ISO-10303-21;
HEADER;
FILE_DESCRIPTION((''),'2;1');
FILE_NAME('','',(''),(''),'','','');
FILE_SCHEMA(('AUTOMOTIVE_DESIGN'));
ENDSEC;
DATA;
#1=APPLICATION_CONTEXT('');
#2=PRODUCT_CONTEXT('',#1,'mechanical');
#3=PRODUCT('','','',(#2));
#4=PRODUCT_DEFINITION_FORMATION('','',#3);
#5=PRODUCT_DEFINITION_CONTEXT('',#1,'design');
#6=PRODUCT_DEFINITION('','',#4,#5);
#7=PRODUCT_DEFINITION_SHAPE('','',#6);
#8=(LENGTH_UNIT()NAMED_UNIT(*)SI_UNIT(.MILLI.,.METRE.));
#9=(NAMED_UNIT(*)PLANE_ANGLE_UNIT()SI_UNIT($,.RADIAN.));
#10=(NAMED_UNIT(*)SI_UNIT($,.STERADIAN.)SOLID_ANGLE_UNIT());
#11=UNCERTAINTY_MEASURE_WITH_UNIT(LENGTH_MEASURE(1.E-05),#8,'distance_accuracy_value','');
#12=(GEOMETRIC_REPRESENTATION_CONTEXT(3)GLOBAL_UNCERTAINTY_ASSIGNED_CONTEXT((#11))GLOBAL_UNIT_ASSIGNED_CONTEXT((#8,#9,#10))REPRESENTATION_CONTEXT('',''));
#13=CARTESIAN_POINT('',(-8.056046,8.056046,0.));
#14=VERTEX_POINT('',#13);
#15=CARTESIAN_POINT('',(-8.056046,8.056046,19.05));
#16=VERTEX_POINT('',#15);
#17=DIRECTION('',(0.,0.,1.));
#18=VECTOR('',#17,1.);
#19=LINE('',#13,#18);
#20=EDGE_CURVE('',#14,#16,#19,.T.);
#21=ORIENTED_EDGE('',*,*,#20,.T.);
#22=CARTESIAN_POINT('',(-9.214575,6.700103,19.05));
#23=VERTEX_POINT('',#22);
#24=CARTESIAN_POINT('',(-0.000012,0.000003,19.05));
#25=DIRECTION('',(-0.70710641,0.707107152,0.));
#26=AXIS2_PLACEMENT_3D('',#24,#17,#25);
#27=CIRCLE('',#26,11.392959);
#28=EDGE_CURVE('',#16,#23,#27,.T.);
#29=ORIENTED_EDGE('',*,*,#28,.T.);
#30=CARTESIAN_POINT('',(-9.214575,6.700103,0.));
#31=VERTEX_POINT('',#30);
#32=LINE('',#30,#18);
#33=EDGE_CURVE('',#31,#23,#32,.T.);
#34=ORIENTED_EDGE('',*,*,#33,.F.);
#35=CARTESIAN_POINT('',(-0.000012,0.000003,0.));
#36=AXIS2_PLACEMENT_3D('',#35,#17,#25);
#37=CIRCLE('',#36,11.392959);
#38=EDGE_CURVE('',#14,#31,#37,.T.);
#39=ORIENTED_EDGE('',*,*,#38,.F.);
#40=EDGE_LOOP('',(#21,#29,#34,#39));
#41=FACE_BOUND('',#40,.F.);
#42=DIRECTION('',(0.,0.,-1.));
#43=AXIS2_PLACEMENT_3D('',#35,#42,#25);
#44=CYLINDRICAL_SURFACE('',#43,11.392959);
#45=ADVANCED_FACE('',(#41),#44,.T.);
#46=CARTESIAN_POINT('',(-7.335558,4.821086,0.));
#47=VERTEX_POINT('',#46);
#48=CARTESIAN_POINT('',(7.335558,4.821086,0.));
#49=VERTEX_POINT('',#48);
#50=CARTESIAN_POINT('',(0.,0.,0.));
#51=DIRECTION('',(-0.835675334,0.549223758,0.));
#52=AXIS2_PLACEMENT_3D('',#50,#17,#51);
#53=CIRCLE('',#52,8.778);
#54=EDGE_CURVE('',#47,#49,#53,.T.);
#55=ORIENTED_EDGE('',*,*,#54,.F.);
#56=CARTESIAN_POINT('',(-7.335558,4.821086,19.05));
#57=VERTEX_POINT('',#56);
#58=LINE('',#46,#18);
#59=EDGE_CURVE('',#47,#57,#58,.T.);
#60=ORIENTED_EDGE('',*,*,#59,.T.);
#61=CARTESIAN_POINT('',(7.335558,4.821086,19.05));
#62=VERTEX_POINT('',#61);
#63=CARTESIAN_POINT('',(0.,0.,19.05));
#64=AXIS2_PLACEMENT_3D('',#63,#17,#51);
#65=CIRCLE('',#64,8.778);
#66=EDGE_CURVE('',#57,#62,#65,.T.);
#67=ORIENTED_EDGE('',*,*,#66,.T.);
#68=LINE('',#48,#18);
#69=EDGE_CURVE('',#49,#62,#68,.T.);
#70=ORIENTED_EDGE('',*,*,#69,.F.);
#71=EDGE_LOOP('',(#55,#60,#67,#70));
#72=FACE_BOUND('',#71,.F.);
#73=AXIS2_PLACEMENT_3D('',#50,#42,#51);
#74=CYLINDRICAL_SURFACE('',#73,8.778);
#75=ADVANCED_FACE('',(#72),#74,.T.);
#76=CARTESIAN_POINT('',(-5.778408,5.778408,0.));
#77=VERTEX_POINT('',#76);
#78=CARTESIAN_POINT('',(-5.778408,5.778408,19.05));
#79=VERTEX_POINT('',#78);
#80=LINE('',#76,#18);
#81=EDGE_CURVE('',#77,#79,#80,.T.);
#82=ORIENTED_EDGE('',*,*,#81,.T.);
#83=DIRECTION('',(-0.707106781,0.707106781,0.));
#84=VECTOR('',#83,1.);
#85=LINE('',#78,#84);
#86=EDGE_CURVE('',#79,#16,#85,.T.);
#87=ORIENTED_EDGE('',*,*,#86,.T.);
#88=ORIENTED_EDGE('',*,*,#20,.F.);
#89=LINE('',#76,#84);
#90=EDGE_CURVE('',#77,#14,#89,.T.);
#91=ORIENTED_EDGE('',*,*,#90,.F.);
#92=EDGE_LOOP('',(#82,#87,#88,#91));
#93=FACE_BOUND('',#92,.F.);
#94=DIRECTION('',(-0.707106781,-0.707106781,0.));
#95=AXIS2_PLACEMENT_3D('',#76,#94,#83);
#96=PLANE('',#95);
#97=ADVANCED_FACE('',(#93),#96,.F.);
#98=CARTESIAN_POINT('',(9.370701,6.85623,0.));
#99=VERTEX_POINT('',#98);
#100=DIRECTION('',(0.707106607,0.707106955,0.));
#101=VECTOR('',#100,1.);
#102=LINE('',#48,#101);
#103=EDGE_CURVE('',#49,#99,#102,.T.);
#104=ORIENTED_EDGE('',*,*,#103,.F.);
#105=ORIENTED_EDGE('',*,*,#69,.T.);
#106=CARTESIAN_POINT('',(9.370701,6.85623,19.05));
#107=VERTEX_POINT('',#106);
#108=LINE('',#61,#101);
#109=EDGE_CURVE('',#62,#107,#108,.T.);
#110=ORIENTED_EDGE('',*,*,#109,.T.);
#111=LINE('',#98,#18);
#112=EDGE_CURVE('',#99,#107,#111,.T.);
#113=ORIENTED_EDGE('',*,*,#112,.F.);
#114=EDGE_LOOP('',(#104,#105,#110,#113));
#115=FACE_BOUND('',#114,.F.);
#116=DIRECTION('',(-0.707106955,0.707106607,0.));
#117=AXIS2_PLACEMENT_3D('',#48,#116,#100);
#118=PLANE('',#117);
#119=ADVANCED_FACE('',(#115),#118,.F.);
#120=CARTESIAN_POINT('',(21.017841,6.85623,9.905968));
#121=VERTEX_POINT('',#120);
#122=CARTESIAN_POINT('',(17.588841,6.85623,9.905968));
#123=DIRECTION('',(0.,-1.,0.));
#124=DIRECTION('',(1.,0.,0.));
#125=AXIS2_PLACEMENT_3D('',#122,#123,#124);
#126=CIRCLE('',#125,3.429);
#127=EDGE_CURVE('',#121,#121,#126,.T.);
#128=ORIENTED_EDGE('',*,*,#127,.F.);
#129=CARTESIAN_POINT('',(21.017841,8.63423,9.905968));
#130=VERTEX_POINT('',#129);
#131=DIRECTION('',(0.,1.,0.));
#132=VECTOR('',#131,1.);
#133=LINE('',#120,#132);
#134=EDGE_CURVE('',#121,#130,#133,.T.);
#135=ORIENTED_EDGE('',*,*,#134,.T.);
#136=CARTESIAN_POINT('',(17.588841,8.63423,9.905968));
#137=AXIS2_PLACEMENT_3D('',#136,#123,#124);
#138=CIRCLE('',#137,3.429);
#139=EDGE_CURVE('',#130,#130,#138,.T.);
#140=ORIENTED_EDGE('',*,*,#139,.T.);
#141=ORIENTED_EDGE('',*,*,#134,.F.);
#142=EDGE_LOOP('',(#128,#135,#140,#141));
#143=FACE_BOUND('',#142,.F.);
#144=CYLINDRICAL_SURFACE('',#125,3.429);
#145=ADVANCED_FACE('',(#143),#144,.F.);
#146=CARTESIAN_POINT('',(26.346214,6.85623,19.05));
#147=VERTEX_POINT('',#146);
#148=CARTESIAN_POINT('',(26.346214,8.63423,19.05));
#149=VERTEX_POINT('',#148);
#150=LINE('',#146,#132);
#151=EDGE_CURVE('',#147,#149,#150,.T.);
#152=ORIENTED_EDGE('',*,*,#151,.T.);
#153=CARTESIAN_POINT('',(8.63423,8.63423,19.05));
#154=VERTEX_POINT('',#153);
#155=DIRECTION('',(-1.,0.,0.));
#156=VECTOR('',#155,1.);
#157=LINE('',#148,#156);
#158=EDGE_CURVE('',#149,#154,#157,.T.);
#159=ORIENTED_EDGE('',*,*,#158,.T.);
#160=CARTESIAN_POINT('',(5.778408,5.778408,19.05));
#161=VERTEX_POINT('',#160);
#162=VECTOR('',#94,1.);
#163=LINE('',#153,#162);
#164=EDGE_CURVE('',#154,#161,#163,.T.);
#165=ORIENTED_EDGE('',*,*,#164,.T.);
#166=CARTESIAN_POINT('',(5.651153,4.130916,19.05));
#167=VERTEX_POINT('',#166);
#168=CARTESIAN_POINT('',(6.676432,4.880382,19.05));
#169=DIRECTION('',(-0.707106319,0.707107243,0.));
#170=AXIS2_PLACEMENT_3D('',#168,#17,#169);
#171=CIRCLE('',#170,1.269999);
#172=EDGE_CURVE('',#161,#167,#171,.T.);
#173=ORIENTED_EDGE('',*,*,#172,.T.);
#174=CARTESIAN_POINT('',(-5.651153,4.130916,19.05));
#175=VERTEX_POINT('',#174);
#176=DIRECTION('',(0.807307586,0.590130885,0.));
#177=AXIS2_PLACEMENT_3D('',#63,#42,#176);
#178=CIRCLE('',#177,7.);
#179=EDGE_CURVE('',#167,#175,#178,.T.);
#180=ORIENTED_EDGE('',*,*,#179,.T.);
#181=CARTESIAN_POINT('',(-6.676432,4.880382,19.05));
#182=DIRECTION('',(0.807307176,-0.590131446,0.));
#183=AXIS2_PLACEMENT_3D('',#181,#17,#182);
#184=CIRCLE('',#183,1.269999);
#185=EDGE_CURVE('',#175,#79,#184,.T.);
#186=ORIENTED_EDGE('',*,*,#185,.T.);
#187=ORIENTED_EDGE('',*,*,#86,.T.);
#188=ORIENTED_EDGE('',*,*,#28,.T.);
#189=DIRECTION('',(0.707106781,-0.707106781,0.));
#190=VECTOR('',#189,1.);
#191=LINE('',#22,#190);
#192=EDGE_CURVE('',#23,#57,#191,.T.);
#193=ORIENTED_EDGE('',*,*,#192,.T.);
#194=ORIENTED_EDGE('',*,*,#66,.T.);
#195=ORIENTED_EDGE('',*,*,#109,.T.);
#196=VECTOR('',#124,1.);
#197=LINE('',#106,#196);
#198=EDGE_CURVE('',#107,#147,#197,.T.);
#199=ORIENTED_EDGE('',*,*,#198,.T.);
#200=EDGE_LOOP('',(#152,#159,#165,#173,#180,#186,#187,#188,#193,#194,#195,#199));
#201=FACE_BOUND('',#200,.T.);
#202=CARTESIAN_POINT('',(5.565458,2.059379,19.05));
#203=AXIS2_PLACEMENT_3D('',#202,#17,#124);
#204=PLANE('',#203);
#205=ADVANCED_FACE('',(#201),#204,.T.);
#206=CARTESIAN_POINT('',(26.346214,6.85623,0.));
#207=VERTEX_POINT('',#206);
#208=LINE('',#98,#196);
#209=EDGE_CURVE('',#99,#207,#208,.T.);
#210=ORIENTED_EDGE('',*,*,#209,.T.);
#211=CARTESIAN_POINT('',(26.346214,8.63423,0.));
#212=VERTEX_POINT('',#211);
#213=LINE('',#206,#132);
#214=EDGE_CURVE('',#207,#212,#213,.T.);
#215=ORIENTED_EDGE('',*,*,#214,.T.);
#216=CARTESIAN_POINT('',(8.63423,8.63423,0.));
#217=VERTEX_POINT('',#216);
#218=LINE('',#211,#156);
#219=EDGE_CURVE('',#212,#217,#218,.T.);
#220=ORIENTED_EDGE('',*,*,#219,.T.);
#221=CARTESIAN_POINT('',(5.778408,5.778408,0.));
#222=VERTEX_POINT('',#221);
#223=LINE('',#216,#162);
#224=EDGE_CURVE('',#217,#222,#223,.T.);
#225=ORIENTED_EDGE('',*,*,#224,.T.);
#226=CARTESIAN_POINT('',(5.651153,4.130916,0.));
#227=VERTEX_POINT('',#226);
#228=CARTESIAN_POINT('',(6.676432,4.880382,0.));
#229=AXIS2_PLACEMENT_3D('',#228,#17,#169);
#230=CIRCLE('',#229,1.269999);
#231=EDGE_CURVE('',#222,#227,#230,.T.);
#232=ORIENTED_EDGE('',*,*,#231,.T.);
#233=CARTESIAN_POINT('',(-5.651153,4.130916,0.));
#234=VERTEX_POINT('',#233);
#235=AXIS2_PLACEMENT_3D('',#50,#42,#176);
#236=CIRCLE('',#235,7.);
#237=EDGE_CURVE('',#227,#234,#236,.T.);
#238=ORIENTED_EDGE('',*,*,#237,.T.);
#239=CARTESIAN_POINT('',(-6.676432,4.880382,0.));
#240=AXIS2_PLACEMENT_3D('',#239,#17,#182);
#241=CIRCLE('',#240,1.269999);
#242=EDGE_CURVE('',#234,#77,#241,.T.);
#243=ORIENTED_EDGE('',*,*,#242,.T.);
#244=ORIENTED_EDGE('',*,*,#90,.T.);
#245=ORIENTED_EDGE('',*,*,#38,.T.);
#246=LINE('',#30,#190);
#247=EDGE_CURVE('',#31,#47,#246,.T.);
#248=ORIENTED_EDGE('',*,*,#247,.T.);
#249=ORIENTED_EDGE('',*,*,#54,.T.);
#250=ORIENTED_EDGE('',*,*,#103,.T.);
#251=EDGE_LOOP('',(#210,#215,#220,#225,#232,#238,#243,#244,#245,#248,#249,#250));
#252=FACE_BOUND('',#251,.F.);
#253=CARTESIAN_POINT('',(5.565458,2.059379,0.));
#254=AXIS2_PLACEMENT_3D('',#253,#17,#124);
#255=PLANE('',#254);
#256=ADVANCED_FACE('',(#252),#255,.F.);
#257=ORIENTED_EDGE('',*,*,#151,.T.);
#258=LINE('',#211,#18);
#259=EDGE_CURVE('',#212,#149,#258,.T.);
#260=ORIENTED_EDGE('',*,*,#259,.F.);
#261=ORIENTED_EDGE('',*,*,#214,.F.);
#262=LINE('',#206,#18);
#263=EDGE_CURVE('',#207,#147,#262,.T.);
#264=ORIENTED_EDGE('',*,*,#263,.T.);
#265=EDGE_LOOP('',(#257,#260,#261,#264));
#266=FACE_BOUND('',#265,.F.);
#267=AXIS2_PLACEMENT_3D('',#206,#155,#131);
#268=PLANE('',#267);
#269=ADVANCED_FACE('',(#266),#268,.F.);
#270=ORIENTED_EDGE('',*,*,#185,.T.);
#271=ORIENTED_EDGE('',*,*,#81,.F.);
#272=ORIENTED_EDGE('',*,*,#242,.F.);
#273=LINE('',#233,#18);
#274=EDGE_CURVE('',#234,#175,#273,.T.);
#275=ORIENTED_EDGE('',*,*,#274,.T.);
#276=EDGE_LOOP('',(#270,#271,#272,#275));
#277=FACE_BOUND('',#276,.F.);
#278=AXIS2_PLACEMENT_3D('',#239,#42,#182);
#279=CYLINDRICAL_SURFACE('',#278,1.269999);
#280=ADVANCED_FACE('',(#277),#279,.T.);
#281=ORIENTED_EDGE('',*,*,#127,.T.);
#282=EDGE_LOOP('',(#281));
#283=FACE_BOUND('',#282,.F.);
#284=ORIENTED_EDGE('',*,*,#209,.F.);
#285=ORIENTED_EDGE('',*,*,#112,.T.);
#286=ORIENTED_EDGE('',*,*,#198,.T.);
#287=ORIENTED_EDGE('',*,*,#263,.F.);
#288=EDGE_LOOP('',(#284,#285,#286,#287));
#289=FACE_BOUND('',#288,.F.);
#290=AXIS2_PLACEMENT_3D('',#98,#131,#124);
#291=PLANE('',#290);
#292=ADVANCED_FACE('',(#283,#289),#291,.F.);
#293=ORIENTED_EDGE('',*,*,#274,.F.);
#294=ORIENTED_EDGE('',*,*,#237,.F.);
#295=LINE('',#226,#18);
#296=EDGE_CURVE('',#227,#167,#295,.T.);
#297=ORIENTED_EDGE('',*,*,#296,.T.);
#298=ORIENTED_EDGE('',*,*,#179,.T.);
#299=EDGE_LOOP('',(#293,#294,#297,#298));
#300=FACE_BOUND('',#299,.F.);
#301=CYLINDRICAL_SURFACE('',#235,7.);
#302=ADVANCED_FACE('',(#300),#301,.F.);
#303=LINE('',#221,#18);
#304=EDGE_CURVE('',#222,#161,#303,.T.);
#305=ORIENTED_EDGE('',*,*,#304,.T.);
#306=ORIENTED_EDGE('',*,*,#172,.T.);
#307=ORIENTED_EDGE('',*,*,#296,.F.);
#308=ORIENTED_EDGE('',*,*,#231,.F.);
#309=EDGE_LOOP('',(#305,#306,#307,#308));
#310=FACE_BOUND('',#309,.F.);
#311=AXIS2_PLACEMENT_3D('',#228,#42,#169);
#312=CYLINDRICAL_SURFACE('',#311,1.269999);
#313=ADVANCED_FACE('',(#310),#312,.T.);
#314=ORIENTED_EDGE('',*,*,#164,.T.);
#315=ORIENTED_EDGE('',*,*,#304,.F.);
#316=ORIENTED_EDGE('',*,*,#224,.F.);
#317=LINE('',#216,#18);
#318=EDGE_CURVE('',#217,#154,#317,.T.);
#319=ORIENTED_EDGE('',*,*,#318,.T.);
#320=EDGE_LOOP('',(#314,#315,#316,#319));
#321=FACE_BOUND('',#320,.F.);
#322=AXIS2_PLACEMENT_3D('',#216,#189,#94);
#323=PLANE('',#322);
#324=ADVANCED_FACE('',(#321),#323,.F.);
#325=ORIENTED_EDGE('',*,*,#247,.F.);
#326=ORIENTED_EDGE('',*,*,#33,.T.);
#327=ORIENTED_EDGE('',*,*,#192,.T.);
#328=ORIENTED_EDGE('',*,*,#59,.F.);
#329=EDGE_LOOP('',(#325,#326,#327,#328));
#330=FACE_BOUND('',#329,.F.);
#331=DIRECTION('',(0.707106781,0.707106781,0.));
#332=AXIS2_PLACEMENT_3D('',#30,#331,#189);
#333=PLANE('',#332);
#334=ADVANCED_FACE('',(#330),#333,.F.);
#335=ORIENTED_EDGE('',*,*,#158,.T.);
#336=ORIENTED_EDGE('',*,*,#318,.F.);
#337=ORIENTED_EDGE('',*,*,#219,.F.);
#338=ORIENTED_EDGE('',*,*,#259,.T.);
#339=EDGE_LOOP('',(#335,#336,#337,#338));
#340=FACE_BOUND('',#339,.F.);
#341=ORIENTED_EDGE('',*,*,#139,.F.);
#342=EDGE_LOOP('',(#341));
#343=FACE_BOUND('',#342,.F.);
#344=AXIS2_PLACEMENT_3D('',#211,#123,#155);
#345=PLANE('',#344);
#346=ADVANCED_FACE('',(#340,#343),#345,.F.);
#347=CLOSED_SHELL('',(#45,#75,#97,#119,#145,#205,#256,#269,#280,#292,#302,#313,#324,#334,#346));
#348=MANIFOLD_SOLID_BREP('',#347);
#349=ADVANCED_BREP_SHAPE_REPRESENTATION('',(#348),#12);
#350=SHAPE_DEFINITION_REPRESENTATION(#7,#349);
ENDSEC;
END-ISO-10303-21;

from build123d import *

# Parameters (mm, degrees)
F1_DEPTH = 19.05
F2_R     = 3.429
F3_DEPTH = 25.4


with BuildPart() as f1:
    # F0 (on Top) → F1 (new body)
    with BuildSketch(Plane.XY):
        with BuildLine():
            ThreePointArc((5.651153, 4.130916), (0, -7), (-5.651153, 4.130916))
            ThreePointArc((-5.651153, 4.130916), (-5.410205, 4.978188), (-5.778408, 5.778408))
            Line((-5.778408, 5.778408), (-8.056046, 8.056046))
            ThreePointArc((-8.056046, 8.056046), (-8.661884, 7.400779), (-9.214575, 6.700103))
            Line((-9.214575, 6.700103), (-7.335558, 4.821086))
            ThreePointArc((-7.335558, 4.821086), (0, -8.778), (7.335558, 4.821086))
            Line((7.335558, 4.821086), (9.370701, 6.85623))
            Line((9.370701, 6.85623), (26.346214, 6.85623))
            Line((26.346214, 6.85623), (26.346214, 8.63423))
            Line((26.346214, 8.63423), (8.63423, 8.63423))
            Line((8.63423, 8.63423), (5.778408, 5.778408))
            ThreePointArc((5.778408, 5.778408), (5.410205, 4.978188), (5.651153, 4.130916))
        make_face()
    extrude(amount=F1_DEPTH)

    # F2 (on face) → F3 (cut)
    with BuildSketch(Plane.XZ.offset(-6.85623)):
        with Locations((17.588841, 9.905968)):
            Circle(F2_R)
    extrude(amount=-F3_DEPTH, mode=Mode.SUBTRACT)


solid = f1.part
